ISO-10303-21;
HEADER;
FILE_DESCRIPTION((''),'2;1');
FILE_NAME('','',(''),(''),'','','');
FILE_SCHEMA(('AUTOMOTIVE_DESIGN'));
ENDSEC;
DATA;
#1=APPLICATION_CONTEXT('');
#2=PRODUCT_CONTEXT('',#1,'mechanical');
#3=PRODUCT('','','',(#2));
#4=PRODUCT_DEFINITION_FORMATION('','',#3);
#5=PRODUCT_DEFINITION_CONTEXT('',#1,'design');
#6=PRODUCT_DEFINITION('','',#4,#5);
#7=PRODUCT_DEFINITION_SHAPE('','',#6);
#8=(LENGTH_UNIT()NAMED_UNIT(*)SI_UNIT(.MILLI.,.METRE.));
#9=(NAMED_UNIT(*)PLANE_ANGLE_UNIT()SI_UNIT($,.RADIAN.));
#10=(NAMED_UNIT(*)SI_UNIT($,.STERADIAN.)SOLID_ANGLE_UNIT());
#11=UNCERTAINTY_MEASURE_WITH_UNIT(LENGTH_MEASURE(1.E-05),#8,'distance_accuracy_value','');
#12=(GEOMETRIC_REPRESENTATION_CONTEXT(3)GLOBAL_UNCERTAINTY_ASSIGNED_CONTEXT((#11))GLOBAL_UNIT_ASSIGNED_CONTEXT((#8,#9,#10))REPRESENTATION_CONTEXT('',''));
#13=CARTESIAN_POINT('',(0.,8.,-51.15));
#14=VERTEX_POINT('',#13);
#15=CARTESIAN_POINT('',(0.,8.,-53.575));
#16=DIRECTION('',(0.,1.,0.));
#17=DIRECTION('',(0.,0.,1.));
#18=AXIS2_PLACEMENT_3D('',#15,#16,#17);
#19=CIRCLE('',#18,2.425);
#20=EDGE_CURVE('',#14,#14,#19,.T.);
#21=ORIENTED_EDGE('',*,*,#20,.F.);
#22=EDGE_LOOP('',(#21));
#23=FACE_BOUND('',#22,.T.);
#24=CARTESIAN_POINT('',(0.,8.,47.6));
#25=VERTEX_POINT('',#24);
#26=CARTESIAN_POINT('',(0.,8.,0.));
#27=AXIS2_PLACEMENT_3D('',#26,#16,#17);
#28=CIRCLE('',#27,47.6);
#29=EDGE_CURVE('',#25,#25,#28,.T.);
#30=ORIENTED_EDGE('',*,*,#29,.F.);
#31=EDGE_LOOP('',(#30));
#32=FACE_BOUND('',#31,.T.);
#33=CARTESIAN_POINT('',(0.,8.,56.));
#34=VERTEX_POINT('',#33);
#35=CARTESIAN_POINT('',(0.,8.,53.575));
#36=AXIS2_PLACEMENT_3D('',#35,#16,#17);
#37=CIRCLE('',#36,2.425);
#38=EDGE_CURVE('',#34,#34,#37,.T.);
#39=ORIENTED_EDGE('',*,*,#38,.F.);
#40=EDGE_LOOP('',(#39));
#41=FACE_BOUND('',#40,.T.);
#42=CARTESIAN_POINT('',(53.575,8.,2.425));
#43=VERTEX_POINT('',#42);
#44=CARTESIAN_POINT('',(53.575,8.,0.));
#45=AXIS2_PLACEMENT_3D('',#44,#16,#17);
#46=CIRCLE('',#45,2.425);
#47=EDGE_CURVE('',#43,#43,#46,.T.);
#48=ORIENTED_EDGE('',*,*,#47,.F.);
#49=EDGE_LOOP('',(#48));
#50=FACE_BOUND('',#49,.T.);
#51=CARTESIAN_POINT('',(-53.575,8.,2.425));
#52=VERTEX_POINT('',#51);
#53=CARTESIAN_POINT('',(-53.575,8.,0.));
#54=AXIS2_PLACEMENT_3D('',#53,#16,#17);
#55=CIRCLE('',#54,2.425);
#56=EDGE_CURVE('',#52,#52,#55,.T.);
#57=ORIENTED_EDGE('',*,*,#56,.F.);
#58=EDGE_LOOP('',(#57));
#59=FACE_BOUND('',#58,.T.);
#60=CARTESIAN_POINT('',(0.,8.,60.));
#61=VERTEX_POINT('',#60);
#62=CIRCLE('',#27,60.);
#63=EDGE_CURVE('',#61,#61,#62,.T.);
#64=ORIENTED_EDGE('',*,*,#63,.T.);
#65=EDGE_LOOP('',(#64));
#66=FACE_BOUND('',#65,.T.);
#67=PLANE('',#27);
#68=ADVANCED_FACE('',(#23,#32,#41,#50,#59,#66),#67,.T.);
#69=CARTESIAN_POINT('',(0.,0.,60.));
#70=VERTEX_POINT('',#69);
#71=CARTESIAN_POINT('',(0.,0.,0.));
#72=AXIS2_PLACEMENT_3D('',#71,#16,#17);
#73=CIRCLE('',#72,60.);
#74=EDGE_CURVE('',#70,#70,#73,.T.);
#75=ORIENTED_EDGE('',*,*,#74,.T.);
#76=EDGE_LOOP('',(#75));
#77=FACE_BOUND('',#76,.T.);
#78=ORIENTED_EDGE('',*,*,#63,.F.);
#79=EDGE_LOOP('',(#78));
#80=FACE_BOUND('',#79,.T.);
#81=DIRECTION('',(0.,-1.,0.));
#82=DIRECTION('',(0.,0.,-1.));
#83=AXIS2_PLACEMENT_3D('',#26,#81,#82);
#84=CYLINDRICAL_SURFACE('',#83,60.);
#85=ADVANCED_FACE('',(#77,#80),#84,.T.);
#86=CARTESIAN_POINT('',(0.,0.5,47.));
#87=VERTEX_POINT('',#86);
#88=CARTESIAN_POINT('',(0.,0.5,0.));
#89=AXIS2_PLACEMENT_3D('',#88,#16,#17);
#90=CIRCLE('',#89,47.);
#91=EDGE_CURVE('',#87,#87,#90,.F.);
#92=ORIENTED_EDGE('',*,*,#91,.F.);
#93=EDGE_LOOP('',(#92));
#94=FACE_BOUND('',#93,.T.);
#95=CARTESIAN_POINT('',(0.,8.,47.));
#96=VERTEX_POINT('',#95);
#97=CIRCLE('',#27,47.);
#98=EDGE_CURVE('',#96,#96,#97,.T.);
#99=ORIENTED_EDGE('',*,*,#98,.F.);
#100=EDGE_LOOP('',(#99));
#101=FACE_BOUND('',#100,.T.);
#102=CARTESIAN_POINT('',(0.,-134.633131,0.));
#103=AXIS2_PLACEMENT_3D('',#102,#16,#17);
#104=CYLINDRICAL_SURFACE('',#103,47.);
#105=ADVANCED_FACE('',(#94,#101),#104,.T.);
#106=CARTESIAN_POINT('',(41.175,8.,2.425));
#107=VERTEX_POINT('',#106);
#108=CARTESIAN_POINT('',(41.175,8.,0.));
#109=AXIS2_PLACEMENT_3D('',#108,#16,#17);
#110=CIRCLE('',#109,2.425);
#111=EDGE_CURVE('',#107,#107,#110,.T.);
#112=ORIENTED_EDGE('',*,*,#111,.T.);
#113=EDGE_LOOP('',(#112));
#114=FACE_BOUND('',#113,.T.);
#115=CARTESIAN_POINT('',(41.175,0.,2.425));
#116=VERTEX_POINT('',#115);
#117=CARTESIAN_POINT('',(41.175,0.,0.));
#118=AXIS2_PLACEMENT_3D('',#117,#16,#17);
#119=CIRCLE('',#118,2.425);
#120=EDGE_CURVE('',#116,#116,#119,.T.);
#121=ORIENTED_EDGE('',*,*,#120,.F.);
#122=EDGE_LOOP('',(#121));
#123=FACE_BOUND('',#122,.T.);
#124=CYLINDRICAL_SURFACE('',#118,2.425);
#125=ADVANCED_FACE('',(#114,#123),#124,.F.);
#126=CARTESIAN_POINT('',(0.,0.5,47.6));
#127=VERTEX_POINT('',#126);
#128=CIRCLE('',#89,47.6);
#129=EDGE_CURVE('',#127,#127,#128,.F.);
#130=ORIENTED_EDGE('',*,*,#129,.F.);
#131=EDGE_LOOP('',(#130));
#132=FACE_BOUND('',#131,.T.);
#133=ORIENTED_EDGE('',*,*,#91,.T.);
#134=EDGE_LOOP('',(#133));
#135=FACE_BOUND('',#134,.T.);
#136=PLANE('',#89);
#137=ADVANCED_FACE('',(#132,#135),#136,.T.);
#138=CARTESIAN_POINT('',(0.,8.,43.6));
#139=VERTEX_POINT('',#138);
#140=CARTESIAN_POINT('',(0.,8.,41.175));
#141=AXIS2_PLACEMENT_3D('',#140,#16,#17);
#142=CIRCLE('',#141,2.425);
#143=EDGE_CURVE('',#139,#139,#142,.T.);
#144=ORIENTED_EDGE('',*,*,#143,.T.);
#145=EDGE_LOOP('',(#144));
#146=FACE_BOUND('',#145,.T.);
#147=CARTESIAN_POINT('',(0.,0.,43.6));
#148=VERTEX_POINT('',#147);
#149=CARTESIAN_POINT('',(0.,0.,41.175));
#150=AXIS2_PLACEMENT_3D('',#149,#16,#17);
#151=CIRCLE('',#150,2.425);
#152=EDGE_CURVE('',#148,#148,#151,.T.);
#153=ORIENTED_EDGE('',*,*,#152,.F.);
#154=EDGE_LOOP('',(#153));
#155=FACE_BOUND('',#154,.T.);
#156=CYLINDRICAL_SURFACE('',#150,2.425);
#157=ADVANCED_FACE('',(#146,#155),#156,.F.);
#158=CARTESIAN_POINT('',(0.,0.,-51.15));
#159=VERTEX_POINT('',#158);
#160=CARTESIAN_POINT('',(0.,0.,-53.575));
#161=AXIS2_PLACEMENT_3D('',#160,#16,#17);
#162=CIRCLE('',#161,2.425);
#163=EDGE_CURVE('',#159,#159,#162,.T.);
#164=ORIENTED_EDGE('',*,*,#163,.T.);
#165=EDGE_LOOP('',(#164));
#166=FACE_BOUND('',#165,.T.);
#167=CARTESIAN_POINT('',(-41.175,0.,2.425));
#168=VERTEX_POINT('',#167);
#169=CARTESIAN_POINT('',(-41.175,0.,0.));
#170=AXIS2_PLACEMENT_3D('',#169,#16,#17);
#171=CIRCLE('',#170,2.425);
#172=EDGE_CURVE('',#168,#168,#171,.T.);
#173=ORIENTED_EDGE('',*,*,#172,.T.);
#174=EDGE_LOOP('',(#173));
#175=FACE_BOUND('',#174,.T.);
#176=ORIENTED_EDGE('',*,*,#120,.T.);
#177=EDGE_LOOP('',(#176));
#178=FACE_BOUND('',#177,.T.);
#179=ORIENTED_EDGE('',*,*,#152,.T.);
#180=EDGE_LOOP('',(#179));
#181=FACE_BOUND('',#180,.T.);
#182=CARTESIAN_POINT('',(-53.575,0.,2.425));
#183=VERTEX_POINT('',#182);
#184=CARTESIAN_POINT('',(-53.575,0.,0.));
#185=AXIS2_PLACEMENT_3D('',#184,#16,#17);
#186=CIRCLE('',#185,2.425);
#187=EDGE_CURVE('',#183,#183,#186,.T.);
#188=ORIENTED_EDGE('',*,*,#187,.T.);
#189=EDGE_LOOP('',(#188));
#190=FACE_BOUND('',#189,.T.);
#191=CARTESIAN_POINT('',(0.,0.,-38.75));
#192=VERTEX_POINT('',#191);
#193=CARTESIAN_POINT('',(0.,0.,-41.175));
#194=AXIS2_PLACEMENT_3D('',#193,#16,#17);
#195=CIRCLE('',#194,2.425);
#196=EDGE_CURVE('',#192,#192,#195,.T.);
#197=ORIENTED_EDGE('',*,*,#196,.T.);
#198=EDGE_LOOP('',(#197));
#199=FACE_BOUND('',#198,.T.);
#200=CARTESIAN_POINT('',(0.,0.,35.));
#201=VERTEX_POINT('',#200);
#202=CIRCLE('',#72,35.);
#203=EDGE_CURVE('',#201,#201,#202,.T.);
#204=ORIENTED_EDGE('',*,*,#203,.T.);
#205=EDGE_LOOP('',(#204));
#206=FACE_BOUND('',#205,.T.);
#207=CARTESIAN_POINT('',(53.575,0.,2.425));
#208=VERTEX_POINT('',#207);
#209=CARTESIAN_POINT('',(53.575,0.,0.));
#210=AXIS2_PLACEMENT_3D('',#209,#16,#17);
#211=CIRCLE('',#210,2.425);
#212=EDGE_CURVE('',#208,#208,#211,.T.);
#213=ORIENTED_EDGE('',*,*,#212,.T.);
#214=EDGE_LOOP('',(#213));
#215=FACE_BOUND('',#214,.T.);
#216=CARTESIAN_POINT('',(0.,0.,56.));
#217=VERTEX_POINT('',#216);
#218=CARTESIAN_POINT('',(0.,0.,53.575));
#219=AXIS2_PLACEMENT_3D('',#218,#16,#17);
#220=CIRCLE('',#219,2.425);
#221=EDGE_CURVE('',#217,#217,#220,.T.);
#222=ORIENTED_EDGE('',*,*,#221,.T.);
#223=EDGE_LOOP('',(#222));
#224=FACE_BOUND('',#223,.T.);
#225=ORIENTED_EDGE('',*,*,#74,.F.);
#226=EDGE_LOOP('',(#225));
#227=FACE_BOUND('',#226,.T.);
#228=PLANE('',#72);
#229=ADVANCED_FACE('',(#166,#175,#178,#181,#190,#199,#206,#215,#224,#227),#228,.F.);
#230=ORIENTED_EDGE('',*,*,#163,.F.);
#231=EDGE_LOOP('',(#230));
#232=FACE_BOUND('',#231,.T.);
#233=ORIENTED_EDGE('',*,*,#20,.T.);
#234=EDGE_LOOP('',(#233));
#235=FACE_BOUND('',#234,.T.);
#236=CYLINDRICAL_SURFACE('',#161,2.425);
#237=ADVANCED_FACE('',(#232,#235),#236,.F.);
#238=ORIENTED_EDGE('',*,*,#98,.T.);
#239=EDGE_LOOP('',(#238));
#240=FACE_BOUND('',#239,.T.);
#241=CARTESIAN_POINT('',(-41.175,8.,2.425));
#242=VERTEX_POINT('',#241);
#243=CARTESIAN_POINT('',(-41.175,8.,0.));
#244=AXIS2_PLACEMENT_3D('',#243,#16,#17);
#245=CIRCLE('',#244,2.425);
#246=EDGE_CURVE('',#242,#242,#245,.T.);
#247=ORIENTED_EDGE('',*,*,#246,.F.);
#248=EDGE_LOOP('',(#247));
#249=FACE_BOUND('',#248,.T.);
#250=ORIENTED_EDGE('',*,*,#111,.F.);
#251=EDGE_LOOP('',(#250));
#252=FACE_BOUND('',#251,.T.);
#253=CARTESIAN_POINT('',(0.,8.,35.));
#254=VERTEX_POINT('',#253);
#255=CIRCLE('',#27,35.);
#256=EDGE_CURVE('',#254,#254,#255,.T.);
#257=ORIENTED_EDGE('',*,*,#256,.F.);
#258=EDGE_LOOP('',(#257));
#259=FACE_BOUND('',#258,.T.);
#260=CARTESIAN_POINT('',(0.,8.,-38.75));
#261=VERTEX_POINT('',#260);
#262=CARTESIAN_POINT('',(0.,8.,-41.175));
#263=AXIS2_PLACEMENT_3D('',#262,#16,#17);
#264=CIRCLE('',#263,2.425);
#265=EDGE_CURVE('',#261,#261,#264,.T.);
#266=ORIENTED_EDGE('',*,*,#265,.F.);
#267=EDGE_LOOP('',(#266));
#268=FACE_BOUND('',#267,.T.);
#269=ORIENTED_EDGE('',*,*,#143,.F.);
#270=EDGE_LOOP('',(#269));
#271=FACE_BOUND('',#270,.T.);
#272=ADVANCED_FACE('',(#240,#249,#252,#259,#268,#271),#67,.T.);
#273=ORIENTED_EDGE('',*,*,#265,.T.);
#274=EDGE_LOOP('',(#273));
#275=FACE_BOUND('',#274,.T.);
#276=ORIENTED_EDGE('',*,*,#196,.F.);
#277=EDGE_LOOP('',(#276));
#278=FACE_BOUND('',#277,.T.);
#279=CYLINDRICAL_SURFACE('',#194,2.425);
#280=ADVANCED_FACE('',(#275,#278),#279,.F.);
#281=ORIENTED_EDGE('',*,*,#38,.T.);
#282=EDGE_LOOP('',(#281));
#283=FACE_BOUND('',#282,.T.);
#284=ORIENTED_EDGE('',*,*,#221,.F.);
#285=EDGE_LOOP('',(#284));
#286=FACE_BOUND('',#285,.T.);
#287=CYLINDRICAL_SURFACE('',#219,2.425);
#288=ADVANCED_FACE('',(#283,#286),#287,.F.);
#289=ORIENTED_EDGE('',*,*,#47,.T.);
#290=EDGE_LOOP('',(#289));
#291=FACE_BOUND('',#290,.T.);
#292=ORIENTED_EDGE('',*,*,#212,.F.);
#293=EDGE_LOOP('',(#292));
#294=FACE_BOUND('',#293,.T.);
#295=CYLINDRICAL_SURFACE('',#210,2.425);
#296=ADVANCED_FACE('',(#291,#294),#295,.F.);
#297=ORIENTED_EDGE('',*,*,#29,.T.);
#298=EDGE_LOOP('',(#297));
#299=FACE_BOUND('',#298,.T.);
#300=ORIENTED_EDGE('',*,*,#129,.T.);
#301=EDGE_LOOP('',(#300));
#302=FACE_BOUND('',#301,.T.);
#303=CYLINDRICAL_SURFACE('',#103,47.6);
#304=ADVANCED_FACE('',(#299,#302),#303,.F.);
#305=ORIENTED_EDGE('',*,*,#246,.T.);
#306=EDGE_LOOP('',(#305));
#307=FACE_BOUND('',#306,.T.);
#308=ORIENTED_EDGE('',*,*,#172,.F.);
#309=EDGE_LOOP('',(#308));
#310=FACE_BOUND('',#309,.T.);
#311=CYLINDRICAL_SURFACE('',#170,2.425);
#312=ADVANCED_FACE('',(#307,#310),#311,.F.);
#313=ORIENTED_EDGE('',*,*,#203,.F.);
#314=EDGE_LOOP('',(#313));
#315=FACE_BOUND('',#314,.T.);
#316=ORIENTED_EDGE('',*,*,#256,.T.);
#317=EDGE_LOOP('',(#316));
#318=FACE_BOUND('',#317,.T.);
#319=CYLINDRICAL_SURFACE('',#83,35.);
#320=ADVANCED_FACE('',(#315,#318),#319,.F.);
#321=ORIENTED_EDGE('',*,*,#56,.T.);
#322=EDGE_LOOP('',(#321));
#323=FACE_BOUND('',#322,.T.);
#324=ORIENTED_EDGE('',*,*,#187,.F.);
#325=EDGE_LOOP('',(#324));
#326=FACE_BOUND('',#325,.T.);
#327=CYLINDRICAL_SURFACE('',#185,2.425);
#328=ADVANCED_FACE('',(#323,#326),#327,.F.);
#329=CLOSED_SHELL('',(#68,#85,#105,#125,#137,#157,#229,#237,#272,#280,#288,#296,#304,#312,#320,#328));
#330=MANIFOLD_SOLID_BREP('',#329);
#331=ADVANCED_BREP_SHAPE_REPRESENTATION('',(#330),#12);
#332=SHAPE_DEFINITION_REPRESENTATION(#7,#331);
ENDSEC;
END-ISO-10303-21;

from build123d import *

# Parameters (mm, degrees)
SKETCH_1_R          = 60
SKETCH_1_R_2        = 35
EXTRUDE_1_DEPTH     = 8
SKETCH_2_R          = 47.6
SKETCH_2_R_2        = 47
CUT_EXTRUDE_1_DEPTH = 7.5
SKETCH_3_R          = 2.425
CUT_EXTRUDE_2_DEPTH = 86.229103011
SKETCH_4_R          = 2.425
CUT_EXTRUDE_3_DEPTH = 86.229103011


with BuildPart() as part:
    # 草图1 → 凸台-拉伸1 (new body)
    with BuildSketch(Plane(origin=(0, 0, 0), x_dir=(1, 0, 0), z_dir=(0, 1, 0))):
        with Locations(Location((0, 0, 0), (0, 0, 270))):
            Circle(SKETCH_1_R)
        with Locations(Location((0, 0, 0), (0, 0, 270))):
            Circle(SKETCH_1_R_2, mode=Mode.SUBTRACT)
    extrude(amount=EXTRUDE_1_DEPTH)

    # 草图2 → 切除-拉伸1 (cut)
    with BuildSketch(Plane(origin=(0, 8, 0), x_dir=(1, 0, 0), z_dir=(0, 1, 0))):
        with Locations(Location((0, 0, 0), (0, 0, 270))):
            Circle(SKETCH_2_R)
        with Locations(Location((0, 0, 0), (0, 0, 270))):
            Circle(SKETCH_2_R_2, mode=Mode.SUBTRACT)
    extrude(amount=-CUT_EXTRUDE_1_DEPTH, mode=Mode.SUBTRACT)

    # 草图3 → 切除-拉伸2 (cut, through all)
    with BuildSketch(Plane(origin=(0, 8, 0), x_dir=(1, 0, 0), z_dir=(0, 1, 0))):
        with BuildLine():
            ThreePointArc((-43.6, 0), (-41.175, -2.425), (-38.75, 0))
            Line((-38.75, 0), (-43.6, 0))
        make_face()
        with BuildLine():
            Line((-43.6, 0), (-38.75, 0))
            ThreePointArc((-38.75, 0), (-41.175, 2.425), (-43.6, 0))
        make_face()
        with Locations(Location((0, 41.175, 0), (0, 0, 270))):
            Circle(SKETCH_3_R)
        with BuildLine():
            ThreePointArc((43.6, 0), (41.175, 2.425), (38.75, 0))
            Line((38.75, 0), (43.6, 0))
        make_face()
        with BuildLine():
            Line((43.6, 0), (38.75, 0))
            ThreePointArc((38.75, 0), (41.175, -2.425), (43.6, 0))
        make_face()
        with Locations(Location((0, -41.175, 0), (0, 0, 270))):
            Circle(SKETCH_3_R)
    extrude(amount=-CUT_EXTRUDE_2_DEPTH, mode=Mode.SUBTRACT)

    # 草图4 → 切除-拉伸3 (cut, through all)
    with BuildSketch(Plane(origin=(0, 8, 0), x_dir=(1, 0, 0), z_dir=(0, 1, 0))):
        with Locations(Location((0, 53.575, 0), (0, 0, 270))):
            Circle(SKETCH_4_R)
        with Locations(Location((53.575, 0, 0), (0, 0, 270))):
            Circle(SKETCH_4_R)
        with Locations(Location((0, -53.575, 0), (0, 0, 270))):
            Circle(SKETCH_4_R)
        with BuildLine():
            ThreePointArc((-56, 0), (-53.575, -2.425), (-51.15, 0))
            Line((-51.15, 0), (-56, 0))
        make_face()
        with BuildLine():
            Line((-56, 0), (-51.15, 0))
            ThreePointArc((-51.15, 0), (-53.575, 2.425), (-56, 0))
        make_face()
    extrude(amount=-CUT_EXTRUDE_3_DEPTH, mode=Mode.SUBTRACT)


solid = part.part
